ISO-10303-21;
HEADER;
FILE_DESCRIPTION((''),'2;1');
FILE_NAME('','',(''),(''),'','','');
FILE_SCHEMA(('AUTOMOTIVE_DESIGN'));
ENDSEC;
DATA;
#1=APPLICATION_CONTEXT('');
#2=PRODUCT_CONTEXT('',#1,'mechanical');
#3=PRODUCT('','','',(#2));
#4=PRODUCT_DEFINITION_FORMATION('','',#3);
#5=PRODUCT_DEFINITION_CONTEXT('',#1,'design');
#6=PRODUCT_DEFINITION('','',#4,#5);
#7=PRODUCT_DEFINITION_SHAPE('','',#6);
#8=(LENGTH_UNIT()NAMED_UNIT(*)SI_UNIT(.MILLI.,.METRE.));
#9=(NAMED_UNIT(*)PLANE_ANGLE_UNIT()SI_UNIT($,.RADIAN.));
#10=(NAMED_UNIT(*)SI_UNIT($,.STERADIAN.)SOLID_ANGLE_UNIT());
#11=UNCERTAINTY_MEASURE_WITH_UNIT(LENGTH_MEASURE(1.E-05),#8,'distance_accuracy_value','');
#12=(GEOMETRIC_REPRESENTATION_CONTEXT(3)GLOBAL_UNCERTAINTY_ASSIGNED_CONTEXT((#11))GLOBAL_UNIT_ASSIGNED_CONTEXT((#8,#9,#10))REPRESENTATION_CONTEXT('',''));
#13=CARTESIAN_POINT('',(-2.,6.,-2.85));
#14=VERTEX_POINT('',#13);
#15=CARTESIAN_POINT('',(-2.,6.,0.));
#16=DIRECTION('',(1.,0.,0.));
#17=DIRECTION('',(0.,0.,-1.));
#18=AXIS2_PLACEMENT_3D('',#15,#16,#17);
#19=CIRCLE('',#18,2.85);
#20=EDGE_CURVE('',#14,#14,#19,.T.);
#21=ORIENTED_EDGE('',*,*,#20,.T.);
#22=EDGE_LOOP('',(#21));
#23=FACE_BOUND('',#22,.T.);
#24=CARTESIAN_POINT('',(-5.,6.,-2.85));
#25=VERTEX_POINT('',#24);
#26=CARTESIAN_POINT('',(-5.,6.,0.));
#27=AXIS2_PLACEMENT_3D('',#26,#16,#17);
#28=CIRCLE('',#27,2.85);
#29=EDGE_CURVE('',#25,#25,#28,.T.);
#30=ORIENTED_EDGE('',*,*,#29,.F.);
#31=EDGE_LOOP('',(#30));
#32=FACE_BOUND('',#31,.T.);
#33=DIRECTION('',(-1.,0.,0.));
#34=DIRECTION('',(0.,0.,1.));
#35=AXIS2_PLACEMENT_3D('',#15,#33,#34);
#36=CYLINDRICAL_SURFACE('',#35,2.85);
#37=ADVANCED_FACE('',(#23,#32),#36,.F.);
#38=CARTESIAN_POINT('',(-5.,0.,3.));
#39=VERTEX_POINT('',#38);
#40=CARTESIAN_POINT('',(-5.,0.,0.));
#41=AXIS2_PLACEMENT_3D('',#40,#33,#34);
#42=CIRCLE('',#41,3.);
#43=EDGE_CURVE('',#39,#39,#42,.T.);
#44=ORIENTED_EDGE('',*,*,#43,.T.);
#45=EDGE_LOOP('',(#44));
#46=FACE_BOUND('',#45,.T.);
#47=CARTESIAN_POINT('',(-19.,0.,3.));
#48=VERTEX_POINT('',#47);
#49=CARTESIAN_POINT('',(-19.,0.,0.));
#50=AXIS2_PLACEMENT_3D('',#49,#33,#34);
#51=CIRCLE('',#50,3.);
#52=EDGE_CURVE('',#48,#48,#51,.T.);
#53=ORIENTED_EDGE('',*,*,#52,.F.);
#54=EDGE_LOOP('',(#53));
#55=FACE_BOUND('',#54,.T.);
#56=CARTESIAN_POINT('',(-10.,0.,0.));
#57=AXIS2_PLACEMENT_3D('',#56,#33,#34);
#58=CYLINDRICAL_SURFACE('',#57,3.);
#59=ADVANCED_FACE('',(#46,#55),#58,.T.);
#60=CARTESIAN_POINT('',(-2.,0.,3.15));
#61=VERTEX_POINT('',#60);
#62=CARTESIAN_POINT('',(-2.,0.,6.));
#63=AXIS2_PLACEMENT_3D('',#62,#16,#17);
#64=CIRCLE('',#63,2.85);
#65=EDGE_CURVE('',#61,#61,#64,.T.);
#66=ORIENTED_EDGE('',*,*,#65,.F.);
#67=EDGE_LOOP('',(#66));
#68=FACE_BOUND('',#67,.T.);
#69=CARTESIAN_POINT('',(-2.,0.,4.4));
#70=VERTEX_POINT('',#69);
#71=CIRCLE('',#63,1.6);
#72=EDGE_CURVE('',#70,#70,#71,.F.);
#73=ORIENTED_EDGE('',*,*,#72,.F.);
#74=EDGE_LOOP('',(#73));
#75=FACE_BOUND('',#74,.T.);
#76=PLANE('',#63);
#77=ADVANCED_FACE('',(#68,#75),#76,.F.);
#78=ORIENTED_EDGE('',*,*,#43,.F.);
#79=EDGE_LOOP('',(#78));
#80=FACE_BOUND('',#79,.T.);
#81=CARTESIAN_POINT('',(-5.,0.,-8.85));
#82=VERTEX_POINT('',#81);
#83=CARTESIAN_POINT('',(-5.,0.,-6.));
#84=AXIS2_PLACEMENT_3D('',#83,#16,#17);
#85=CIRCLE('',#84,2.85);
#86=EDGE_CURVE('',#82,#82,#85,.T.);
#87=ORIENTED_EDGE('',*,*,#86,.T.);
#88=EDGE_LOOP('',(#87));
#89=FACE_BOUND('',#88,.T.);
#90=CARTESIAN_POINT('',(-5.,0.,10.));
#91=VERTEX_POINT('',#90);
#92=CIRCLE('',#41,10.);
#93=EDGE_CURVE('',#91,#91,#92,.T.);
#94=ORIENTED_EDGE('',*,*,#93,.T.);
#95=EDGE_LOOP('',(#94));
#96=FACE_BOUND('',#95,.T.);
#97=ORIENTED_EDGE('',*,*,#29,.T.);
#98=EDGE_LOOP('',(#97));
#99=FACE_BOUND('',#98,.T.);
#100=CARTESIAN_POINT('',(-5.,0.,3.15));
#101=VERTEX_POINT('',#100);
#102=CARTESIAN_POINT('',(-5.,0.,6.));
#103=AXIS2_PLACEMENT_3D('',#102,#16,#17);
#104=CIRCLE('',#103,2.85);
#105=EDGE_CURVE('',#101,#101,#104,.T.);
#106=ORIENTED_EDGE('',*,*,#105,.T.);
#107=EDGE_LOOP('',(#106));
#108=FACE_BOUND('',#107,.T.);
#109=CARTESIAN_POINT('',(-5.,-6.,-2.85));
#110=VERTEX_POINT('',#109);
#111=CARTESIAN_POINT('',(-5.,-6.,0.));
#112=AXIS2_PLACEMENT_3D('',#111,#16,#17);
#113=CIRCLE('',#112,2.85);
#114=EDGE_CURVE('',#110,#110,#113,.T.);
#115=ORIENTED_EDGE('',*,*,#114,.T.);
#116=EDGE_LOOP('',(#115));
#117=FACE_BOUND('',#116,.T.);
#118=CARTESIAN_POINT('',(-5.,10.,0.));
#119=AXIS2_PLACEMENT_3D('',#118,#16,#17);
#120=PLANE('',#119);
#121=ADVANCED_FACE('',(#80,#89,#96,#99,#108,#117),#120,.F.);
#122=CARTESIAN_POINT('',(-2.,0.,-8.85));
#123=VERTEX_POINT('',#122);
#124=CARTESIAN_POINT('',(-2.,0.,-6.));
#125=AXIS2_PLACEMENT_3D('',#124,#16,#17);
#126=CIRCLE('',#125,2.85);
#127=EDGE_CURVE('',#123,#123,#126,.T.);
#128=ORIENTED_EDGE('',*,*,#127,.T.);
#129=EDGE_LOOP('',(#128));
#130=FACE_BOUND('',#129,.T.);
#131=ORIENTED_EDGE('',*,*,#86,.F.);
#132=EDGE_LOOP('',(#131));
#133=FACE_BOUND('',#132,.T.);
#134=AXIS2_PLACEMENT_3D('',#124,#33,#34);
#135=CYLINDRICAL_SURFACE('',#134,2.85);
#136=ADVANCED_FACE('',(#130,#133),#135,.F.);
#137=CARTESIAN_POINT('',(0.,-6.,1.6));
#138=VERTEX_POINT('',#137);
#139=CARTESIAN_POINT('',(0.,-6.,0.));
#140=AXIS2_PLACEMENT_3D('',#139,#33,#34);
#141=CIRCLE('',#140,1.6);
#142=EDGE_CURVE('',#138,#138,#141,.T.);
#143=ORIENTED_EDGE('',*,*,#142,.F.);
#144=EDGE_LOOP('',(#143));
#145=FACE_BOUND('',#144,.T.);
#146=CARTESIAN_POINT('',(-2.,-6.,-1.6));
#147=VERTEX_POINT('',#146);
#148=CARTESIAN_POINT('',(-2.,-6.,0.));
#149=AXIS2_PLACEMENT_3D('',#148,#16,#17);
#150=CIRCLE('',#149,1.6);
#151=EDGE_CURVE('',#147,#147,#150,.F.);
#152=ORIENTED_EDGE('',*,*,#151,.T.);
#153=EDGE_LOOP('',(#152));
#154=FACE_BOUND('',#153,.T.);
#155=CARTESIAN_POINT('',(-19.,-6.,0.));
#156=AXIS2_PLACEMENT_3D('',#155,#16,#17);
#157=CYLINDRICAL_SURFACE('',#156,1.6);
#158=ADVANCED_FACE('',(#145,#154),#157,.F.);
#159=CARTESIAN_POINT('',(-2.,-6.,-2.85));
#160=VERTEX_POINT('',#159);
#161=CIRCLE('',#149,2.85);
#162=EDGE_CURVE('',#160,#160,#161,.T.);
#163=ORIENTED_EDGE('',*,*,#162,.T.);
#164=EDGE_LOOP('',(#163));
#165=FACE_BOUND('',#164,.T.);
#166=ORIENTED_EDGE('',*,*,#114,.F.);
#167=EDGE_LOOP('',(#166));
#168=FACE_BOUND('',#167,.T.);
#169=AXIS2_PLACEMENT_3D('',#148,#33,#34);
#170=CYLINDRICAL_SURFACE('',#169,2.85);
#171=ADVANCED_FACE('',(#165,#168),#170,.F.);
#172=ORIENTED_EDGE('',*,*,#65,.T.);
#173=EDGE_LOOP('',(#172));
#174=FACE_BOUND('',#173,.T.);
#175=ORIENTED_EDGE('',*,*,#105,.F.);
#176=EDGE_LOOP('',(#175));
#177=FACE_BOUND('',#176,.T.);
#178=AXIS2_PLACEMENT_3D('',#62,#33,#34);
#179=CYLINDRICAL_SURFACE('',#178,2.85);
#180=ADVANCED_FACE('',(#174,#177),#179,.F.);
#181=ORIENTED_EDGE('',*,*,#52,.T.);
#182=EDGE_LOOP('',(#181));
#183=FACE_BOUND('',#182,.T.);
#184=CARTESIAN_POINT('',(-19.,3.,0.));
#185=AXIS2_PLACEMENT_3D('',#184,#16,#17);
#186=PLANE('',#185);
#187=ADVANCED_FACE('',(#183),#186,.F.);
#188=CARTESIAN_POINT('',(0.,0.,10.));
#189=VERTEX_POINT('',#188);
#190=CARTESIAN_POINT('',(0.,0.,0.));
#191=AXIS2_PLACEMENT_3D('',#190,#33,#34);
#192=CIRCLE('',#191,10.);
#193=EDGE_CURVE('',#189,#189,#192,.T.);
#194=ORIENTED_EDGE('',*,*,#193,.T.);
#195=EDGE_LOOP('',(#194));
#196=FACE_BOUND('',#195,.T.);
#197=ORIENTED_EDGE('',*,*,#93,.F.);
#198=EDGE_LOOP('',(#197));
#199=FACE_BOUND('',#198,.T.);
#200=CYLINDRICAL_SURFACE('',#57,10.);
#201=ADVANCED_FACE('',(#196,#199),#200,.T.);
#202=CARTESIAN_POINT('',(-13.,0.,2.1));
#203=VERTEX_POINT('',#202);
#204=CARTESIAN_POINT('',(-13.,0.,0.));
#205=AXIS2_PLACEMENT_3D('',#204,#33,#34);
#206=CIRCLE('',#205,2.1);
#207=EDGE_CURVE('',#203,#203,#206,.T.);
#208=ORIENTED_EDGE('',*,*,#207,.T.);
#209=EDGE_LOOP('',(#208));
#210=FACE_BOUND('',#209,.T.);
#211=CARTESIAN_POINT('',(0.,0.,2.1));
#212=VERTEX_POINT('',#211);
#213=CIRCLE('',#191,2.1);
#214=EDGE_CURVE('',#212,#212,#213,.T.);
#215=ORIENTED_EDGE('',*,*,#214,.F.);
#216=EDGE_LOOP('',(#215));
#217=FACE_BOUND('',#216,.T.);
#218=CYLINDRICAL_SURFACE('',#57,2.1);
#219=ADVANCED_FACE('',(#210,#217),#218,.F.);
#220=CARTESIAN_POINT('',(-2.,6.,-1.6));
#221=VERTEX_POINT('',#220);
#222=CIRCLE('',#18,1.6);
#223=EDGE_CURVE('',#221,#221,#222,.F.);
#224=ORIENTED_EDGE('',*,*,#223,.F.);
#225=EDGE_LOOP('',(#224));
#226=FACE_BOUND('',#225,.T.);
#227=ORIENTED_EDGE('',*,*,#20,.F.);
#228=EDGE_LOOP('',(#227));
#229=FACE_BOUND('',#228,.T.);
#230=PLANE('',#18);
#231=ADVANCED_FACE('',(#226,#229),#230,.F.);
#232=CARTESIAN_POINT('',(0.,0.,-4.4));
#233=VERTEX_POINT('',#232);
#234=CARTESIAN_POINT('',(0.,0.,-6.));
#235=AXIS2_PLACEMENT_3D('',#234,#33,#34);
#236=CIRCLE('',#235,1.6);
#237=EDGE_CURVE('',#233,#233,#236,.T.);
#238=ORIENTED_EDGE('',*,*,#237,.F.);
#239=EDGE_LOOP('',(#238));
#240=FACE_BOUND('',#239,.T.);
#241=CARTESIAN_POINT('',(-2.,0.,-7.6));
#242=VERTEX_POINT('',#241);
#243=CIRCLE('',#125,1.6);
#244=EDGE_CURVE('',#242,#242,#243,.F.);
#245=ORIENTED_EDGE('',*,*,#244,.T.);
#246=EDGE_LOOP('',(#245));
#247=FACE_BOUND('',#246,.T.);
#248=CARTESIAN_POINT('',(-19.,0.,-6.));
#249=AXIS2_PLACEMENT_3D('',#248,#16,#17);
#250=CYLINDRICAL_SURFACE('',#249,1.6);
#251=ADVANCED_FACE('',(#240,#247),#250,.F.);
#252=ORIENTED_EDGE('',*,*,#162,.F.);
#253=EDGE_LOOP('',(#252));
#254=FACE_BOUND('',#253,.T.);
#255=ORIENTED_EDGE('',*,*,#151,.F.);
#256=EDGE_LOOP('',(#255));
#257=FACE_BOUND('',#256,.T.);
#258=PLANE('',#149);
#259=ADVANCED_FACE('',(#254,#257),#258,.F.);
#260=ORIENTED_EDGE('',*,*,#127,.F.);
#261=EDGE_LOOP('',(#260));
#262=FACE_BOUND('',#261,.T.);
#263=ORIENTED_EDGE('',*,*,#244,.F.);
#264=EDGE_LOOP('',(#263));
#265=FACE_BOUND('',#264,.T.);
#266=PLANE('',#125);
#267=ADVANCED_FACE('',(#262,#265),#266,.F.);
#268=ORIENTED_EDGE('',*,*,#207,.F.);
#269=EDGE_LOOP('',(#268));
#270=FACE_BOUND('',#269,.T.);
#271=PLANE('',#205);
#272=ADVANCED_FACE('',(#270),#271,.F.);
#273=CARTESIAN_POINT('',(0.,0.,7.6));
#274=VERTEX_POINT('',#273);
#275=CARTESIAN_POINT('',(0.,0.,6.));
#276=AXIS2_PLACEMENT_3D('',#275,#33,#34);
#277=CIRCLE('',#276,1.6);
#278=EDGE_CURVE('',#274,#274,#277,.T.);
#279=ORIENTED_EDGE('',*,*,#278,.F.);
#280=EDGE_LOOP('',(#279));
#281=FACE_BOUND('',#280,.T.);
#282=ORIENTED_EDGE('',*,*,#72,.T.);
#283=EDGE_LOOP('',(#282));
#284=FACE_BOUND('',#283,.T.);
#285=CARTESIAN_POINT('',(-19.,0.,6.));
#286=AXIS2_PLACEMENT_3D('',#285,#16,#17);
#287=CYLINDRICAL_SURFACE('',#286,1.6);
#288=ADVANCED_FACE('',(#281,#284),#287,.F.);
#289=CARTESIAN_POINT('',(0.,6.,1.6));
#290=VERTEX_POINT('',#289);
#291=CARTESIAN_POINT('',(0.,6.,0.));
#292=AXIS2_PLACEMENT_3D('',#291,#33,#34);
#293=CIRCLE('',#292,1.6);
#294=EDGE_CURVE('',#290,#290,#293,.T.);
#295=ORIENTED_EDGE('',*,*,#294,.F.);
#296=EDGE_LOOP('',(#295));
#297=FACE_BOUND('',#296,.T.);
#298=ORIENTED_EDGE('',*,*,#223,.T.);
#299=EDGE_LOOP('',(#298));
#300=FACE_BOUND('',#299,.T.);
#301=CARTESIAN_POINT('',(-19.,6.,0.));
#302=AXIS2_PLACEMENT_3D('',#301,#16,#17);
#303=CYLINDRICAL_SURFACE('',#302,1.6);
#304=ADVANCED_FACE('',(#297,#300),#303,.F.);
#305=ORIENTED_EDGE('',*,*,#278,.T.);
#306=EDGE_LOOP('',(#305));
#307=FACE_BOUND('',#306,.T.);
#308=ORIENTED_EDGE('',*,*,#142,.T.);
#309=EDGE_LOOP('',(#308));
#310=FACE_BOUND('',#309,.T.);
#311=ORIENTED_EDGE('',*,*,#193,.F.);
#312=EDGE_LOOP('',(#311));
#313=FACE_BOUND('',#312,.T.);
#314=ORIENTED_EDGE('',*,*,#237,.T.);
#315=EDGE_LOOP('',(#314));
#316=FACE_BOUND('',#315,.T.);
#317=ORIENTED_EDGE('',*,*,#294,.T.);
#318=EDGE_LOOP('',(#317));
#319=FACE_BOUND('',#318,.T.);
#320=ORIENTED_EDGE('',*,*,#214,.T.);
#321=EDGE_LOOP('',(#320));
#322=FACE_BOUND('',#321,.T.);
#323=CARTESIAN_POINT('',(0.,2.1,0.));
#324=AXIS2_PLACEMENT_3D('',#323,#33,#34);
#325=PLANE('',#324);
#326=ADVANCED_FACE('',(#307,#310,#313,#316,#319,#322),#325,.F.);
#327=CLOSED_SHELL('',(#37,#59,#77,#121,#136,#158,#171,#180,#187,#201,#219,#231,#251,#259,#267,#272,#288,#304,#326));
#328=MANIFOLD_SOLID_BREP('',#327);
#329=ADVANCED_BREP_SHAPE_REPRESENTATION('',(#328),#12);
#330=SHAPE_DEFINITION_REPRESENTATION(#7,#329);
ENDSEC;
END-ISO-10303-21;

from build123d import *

# Parameters (mm, degrees)
CUT_EXTRUDE1_DEPTH      = 24.685438565
CUT_EXTRUDE1_DEPTH_BACK = 24.685438565
SKETCH2_R               = 1.6
SKETCH3_R               = 2.85
CUT_EXTRUDE2_DEPTH      = 3


with BuildPart() as part:
    # Sketch1 → Revolve1 (revolve)
    with BuildSketch(Plane.XY, mode=Mode.PRIVATE) as revolve1_sk:
        Polygon((0, 2.1), (0, 10), (-5, 10), (-5, 3), (-19, 3), (-19, 0), (-13, 0), (-13, 2.1), align=None)
    revolve(revolve1_sk.sketch.rotate(Axis((-10, 0, 0), (1, 0, 0)), 90), axis=Axis((-10, 0, 0), (1, 0, 0)))

    # Sketch2 → Cut-Extrude1 (cut, two sides: drawn at the far end of the back side and taken through both)
    with BuildSketch(Plane(origin=(0, 0, 0), x_dir=(0, 0, -1), z_dir=(1, 0, 0)).offset(-CUT_EXTRUDE1_DEPTH_BACK)):
        with Locations((-6, 0)):
            Circle(SKETCH2_R)
        with Locations((6, 0)):
            Circle(SKETCH2_R)
        with Locations((0, 6)):
            Circle(SKETCH2_R)
        with Locations((0, -6)):
            Circle(SKETCH2_R)
    extrude(amount=CUT_EXTRUDE1_DEPTH + CUT_EXTRUDE1_DEPTH_BACK, mode=Mode.SUBTRACT)

    # Sketch3 → Cut-Extrude2 (cut)
    with BuildSketch(Plane(origin=(-5, 0, 0), x_dir=(0, 0, -1), z_dir=(1, 0, 0))):
        with Locations((-6, 0)):
            Circle(SKETCH3_R)
        with Locations((6, 0)):
            Circle(SKETCH3_R)
        with Locations((0, 6)):
            Circle(SKETCH3_R)
        with Locations((0, -6)):
            Circle(SKETCH3_R)
    extrude(amount=CUT_EXTRUDE2_DEPTH, mode=Mode.SUBTRACT)


solid = part.part
